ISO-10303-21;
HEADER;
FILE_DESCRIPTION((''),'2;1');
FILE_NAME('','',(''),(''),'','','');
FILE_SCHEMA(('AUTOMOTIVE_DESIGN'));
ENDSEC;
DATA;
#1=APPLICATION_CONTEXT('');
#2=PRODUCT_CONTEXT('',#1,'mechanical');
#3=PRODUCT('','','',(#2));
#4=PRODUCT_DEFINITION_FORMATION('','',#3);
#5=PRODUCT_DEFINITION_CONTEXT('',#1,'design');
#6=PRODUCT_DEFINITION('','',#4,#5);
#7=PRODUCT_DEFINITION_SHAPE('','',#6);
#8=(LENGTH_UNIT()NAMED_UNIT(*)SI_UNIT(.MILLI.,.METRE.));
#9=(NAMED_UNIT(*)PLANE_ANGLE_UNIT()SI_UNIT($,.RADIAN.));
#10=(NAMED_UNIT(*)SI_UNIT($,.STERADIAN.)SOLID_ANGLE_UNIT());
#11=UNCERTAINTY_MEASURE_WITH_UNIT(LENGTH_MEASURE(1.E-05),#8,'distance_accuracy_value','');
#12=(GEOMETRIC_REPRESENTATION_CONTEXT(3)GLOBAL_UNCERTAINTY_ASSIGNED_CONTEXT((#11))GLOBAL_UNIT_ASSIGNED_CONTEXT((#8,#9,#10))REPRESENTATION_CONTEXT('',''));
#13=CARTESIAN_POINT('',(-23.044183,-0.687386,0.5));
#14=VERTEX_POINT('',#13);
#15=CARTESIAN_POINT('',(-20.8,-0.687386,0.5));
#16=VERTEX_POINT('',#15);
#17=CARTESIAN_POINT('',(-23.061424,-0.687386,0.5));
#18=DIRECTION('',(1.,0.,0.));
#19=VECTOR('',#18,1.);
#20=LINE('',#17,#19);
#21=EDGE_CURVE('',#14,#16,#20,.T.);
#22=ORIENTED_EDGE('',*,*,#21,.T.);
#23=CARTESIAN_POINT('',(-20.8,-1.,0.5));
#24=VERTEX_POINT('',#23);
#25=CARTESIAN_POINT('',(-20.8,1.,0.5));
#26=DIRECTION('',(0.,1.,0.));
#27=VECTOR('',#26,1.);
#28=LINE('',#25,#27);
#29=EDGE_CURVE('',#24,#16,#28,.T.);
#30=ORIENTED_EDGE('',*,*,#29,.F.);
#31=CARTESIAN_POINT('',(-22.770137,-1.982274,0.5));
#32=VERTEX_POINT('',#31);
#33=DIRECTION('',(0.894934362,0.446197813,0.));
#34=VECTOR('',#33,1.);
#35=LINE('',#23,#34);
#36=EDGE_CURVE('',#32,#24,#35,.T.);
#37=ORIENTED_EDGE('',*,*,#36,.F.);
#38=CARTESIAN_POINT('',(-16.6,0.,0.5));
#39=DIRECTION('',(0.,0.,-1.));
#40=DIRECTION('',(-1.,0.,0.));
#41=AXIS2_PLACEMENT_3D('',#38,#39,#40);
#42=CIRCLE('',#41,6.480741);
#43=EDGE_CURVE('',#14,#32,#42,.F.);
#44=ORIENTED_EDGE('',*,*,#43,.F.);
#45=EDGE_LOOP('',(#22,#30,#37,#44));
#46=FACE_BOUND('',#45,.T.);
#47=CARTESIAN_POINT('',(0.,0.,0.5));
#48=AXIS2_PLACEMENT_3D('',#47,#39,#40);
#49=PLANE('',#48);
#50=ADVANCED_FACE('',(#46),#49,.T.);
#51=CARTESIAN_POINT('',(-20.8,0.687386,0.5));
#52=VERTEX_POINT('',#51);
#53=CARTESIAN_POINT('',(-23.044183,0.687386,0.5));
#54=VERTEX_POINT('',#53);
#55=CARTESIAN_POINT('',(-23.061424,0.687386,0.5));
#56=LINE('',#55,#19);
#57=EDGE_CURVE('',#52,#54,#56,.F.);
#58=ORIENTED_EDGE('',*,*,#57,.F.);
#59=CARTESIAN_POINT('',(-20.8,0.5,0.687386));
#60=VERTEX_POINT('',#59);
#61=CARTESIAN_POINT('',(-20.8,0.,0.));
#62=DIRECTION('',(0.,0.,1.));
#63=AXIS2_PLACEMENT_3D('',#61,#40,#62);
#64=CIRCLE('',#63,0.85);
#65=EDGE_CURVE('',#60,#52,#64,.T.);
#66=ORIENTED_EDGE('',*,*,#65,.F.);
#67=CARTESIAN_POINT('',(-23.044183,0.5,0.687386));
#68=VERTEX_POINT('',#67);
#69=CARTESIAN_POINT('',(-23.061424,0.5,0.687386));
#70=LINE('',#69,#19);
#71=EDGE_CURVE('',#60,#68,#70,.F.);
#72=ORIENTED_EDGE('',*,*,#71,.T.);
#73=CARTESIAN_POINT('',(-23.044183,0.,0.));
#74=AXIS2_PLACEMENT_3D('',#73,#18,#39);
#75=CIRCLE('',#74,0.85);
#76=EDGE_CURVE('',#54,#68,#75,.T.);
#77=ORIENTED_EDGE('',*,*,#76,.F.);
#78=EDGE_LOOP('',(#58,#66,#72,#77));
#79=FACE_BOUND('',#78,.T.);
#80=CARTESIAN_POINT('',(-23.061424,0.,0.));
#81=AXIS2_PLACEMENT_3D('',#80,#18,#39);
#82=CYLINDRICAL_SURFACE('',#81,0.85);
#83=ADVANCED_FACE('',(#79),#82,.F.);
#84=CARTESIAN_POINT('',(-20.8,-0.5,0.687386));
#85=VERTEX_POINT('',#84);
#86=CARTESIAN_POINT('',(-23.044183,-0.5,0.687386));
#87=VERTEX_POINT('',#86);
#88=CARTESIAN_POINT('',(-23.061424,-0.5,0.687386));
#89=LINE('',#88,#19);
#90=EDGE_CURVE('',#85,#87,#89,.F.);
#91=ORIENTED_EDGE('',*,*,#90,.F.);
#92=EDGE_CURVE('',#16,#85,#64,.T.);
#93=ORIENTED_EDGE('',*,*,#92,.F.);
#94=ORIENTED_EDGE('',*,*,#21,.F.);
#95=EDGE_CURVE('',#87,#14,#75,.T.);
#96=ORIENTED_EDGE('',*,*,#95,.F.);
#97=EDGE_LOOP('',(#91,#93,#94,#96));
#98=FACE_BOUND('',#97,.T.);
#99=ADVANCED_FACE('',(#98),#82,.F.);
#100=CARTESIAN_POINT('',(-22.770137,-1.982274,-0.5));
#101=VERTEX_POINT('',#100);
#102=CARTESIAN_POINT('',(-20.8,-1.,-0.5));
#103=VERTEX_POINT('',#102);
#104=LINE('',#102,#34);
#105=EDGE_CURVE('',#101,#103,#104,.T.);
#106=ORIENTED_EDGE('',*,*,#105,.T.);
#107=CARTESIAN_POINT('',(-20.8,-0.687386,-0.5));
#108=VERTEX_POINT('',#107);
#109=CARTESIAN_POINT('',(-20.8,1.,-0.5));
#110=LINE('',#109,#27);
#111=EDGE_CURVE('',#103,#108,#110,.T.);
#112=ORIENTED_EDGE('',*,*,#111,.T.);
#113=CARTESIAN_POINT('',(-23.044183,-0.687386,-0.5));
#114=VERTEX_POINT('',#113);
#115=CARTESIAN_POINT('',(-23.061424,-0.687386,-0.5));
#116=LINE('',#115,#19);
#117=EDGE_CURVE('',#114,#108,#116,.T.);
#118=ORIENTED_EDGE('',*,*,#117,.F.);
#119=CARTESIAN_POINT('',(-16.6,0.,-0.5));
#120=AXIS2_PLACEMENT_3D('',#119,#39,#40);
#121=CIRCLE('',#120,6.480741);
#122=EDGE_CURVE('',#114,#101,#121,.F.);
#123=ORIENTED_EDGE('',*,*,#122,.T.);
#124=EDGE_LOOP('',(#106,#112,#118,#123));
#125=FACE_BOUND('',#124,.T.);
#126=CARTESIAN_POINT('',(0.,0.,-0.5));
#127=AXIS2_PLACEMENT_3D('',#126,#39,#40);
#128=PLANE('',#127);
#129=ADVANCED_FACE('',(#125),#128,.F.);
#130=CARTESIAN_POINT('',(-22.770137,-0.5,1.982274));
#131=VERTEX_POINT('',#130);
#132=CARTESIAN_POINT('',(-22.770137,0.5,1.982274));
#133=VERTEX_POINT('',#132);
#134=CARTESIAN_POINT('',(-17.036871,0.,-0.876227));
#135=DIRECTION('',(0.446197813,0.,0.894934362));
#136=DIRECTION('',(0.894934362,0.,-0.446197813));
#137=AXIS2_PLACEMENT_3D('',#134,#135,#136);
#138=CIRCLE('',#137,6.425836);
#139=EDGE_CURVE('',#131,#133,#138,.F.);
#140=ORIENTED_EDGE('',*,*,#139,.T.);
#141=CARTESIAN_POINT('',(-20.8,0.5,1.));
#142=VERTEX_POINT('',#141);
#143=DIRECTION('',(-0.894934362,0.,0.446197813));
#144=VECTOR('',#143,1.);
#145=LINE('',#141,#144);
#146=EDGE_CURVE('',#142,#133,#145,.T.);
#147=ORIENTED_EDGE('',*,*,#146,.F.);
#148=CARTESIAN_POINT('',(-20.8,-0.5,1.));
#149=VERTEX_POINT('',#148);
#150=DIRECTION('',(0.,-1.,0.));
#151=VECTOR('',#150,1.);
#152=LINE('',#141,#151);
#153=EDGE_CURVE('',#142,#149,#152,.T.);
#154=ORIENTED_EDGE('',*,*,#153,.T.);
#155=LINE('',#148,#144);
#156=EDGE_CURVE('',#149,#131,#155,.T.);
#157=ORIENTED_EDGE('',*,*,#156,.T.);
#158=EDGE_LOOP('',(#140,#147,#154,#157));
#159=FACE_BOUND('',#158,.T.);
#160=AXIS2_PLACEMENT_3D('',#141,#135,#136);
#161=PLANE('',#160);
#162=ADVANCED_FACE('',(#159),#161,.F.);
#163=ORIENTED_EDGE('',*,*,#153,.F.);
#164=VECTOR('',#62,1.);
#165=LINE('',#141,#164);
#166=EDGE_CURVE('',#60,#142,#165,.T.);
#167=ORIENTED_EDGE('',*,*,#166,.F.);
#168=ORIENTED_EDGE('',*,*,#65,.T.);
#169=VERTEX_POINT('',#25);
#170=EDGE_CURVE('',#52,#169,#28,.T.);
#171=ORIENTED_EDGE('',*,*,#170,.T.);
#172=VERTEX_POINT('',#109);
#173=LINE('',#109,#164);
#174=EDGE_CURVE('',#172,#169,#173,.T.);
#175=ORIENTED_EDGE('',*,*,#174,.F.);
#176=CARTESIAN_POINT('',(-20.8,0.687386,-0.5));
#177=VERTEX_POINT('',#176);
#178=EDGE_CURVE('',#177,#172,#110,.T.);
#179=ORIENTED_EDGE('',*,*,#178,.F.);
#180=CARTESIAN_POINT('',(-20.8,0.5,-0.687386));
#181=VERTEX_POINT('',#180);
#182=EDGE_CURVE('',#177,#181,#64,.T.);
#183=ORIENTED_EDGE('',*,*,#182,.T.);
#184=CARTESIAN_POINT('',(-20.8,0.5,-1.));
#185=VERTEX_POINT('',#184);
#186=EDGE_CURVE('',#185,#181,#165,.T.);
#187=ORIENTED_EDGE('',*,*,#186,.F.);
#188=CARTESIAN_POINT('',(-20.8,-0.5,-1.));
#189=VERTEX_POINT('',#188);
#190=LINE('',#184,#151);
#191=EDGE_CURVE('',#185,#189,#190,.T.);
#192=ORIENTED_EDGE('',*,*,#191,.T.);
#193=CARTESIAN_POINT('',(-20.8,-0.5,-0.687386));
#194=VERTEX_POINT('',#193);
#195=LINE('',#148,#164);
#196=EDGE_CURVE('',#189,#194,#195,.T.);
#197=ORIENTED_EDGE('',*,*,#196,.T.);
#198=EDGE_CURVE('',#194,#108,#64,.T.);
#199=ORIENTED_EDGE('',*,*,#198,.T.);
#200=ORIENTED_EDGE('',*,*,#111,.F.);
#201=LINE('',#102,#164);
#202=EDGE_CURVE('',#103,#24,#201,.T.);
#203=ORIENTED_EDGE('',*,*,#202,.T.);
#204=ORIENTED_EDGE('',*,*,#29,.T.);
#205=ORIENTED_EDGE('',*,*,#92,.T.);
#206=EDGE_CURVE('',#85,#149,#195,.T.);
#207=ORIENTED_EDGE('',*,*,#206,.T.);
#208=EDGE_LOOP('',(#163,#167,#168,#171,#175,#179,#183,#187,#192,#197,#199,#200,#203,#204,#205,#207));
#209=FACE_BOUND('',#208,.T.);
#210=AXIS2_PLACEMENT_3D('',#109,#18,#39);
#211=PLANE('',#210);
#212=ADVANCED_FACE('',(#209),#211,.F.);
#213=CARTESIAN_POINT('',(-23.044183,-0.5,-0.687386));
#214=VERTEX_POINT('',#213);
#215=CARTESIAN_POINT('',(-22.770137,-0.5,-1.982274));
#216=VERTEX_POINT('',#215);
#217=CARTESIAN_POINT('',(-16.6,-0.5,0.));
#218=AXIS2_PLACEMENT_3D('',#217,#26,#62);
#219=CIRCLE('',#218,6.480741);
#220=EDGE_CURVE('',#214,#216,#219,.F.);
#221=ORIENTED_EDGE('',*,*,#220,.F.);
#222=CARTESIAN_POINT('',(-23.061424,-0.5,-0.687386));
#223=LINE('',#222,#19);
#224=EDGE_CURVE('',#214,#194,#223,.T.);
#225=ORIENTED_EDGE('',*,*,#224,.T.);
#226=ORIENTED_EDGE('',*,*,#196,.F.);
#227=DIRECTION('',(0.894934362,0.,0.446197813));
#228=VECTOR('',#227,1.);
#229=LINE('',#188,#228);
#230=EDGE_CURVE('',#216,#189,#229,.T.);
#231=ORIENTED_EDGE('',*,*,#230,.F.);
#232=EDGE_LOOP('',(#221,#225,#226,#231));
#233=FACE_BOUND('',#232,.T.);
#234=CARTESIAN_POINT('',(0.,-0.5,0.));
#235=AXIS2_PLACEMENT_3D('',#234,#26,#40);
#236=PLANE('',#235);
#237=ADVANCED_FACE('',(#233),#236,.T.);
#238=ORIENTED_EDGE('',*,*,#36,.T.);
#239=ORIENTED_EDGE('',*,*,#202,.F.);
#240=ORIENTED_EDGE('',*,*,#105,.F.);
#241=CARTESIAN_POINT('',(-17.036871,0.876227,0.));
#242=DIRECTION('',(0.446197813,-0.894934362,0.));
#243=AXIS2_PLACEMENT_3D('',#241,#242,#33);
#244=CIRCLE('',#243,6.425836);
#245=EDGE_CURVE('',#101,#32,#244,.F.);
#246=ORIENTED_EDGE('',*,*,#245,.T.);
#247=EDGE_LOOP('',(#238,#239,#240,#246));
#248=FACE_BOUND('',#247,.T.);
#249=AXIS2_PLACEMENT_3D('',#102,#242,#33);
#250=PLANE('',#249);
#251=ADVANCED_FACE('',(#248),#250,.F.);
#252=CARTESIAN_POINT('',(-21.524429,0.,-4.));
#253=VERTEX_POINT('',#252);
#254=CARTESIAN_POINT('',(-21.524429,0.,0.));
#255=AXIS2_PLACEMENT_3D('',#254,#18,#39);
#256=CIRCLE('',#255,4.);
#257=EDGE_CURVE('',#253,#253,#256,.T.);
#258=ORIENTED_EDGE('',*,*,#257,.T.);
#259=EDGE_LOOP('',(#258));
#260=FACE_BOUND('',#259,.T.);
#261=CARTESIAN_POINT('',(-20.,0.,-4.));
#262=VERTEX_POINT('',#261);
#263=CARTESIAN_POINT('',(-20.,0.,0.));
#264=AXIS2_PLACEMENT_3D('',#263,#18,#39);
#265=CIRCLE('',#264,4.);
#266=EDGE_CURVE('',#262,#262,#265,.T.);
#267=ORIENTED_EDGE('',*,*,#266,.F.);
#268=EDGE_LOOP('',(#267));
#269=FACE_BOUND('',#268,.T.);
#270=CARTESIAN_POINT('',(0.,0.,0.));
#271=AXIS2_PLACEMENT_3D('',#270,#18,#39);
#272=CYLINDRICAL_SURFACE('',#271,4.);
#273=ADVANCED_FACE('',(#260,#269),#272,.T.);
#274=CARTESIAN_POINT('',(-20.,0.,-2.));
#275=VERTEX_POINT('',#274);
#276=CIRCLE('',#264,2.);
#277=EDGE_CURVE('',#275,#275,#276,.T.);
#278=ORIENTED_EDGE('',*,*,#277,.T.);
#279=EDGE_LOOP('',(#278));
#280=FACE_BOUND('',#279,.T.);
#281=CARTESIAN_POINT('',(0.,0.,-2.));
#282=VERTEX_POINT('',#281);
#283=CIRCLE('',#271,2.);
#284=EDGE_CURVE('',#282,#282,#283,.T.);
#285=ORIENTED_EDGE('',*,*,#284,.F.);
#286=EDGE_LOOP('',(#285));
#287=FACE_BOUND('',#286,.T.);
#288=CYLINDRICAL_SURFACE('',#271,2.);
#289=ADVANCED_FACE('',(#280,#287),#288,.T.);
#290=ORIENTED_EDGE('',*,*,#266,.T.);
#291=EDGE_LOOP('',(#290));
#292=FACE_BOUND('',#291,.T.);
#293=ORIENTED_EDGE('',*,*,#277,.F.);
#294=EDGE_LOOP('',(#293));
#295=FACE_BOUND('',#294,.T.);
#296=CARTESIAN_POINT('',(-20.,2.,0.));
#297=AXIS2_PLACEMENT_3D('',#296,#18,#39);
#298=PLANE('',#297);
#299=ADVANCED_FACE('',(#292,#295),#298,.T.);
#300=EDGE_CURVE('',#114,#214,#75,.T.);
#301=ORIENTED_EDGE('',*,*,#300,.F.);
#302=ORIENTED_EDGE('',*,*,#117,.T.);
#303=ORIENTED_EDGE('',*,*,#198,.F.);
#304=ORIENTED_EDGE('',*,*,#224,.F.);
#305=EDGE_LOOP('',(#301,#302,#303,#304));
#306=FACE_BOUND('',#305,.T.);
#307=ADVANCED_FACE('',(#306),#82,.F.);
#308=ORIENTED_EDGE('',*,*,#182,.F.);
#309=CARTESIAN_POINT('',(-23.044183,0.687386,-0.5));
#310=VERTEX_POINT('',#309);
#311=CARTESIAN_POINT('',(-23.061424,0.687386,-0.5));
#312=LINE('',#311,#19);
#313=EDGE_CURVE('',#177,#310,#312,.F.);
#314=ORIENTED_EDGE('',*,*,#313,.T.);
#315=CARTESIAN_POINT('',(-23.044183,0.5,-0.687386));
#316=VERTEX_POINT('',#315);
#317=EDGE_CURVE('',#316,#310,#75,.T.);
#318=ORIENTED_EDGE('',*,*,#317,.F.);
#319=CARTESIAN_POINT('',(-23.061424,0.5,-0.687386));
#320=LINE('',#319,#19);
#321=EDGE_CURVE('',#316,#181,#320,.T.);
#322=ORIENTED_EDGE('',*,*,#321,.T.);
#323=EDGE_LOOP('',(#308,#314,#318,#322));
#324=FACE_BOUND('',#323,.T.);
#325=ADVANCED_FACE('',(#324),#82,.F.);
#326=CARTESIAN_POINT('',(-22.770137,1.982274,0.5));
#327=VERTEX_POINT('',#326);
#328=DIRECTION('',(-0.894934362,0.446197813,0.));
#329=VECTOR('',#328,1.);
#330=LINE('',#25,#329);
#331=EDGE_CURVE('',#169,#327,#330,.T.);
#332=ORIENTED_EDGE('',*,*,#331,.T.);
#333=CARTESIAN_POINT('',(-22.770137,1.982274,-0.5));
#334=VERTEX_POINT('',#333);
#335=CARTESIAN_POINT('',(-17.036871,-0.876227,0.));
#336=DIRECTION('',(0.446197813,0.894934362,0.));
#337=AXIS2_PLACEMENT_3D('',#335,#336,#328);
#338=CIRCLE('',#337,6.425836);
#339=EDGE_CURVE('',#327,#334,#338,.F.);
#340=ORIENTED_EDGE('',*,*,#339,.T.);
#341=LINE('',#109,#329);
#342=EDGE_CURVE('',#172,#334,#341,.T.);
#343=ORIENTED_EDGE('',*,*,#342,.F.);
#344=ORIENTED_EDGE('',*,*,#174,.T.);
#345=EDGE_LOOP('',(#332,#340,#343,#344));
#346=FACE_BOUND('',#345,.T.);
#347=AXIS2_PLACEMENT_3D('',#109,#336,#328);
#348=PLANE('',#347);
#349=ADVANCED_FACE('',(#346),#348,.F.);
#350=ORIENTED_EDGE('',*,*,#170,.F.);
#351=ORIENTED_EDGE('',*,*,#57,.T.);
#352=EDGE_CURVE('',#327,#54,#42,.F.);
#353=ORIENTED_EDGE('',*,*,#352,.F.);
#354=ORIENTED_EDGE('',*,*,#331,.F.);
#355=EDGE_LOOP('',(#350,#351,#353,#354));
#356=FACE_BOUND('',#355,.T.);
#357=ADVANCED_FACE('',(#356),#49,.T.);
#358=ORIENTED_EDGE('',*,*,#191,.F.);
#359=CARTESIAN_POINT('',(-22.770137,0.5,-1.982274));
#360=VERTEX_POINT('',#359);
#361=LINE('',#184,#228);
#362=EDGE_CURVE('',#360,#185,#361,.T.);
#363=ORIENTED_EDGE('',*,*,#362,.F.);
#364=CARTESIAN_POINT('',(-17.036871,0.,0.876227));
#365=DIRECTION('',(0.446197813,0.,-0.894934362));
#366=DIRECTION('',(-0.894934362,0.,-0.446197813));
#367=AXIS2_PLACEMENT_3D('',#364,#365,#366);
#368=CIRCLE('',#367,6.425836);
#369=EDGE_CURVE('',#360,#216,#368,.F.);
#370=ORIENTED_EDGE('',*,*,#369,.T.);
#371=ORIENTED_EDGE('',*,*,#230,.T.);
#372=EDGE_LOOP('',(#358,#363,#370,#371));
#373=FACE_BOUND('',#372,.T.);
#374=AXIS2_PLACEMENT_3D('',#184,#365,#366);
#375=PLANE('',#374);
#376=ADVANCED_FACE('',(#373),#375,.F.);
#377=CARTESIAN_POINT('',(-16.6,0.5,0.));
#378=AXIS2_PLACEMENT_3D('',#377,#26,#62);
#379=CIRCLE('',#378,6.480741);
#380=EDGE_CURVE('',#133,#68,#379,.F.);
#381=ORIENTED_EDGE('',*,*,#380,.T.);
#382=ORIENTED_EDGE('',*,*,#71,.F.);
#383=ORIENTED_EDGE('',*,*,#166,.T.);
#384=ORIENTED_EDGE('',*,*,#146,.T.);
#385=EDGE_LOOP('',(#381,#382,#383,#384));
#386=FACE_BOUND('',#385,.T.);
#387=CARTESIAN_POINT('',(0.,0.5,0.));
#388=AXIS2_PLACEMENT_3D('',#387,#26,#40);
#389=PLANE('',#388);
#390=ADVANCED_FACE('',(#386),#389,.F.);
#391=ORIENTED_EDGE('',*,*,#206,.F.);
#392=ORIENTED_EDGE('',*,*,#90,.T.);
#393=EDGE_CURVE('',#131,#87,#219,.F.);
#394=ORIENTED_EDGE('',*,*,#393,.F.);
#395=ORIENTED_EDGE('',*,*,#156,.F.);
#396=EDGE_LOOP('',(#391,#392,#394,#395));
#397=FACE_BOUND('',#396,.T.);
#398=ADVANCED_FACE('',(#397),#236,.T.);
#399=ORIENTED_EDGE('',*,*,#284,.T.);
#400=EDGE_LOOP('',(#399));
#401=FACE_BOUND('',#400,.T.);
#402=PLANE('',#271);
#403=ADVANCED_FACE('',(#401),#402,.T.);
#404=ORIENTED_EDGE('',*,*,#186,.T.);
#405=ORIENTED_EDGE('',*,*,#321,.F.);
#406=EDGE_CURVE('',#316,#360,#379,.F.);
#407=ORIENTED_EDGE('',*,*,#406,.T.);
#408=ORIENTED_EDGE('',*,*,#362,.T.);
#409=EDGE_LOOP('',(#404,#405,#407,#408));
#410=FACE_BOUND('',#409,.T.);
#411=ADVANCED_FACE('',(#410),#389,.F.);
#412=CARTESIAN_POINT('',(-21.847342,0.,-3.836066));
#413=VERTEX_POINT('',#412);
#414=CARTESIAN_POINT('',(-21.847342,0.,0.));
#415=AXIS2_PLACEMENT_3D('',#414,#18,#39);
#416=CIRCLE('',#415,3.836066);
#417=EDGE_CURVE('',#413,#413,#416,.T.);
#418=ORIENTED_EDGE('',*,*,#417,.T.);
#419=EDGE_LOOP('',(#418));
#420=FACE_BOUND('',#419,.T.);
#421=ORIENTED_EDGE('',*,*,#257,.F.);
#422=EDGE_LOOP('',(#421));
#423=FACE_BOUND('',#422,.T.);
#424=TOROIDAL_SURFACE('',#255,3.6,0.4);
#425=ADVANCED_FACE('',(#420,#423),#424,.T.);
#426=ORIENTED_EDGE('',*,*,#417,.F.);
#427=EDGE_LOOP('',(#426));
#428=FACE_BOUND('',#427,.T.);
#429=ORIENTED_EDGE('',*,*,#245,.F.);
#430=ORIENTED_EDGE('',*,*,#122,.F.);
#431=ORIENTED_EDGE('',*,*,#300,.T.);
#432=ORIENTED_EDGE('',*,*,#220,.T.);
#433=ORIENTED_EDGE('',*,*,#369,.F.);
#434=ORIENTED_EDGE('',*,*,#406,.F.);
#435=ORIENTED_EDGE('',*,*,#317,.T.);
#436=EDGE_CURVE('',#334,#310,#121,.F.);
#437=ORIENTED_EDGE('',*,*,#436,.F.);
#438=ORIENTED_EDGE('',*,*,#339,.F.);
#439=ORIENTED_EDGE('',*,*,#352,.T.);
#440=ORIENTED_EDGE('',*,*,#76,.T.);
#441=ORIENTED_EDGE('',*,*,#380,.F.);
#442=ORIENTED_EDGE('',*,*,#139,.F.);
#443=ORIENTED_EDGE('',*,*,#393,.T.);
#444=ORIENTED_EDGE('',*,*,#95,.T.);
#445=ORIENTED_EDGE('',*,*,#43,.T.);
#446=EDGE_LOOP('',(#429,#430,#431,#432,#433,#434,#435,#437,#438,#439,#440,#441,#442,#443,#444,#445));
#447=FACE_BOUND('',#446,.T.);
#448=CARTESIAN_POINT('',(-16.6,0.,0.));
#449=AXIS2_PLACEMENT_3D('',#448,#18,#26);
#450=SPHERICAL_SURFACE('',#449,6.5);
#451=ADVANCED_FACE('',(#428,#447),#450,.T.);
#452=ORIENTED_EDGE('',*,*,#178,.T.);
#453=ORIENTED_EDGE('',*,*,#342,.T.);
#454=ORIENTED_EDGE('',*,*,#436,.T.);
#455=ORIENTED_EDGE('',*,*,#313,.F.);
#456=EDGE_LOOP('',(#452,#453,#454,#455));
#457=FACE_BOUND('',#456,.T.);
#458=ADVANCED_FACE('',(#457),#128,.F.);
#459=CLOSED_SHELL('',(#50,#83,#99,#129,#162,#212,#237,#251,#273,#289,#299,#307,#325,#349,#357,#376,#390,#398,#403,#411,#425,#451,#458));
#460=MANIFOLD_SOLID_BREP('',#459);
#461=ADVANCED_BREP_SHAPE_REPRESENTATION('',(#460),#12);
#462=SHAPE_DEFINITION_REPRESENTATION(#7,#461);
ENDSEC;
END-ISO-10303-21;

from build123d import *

# Parameters (mm, degrees)
CUT_EXTRUDE_2_DEPTH      = 0.5
PATTERN_CIRCULAR_1_COUNT = 2
PATTERN_CIRCULAR_1_ANGLE = 90
CUT_EXTRUDE_3_REACH      = 23.556
CUT_EXTRUDE_3_END_RADIUS = 6.5
SKETCH_4_R               = 0.85


with BuildPart() as part:
    # 草图1 → 旋转1 (revolve)
    with BuildSketch(Plane.XY, mode=Mode.PRIVATE) as revolve_1_sk:
        with BuildLine():
            Line((0, 0), (0, 2))
            Line((0, 2), (-20, 2))
            Line((-20, 2), (-20, 4))
            Line((-20, 4), (-21.524428901, 4))
            ThreePointArc((-21.524428901, 4), (-21.705500393, 3.956669476), (-21.847342271, 3.836065574))
            ThreePointArc((-21.847342271, 3.836065574), (-22.778904626, 2.017706029), (-23.1, 0))
            Line((-23.1, 0), (0, 0))
        make_face()
    revolve(revolve_1_sk.sketch.rotate(Axis((0, 0, 0), (-1, 0, 0)), 90), axis=Axis((0, 0, 0), (-1, 0, 0)))

    # 草图3 → 切除-拉伸2 (cut, symmetric)
    with BuildSketch(Plane.XY):
        Polygon((-20.8, -1), (-23.8, -2.495744824), (-23.8, 2.495744824), (-20.8, 1), align=None)
    cut_extrude_2 = extrude(amount=CUT_EXTRUDE_2_DEPTH, both=True, mode=Mode.SUBTRACT)

    # 阵列(圆周)1: 切除-拉伸2 ×2 about axis
    pattern_circular_1_axis = Axis((0, 0, 0), (1, 0, 0))
    for i in range(1, PATTERN_CIRCULAR_1_COUNT):
        add(cut_extrude_2.rotate(pattern_circular_1_axis, i * PATTERN_CIRCULAR_1_ANGLE / (PATTERN_CIRCULAR_1_COUNT - 1)), mode=Mode.SUBTRACT)

    # 切除-拉伸3: up to this sphere (the profile starts inside it)
    cut_extrude_3_end = Location((-16.6, 0, 0)) * Sphere(CUT_EXTRUDE_3_END_RADIUS, mode=Mode.PRIVATE)
    # 草图4 → 切除-拉伸3 (cut, up to the surface)
    with BuildSketch(Plane.ZY.offset(20.8), mode=Mode.PRIVATE) as cut_extrude_3_sk1:
        Circle(SKETCH_4_R)
    cut_extrude_3_tool1 = extrude(cut_extrude_3_sk1.sketch, amount=CUT_EXTRUDE_3_REACH, mode=Mode.PRIVATE) & cut_extrude_3_end
    add(cut_extrude_3_tool1.solids().sort_by_distance((-20.8, 0, 0))[0], mode=Mode.SUBTRACT)


solid = part.part
